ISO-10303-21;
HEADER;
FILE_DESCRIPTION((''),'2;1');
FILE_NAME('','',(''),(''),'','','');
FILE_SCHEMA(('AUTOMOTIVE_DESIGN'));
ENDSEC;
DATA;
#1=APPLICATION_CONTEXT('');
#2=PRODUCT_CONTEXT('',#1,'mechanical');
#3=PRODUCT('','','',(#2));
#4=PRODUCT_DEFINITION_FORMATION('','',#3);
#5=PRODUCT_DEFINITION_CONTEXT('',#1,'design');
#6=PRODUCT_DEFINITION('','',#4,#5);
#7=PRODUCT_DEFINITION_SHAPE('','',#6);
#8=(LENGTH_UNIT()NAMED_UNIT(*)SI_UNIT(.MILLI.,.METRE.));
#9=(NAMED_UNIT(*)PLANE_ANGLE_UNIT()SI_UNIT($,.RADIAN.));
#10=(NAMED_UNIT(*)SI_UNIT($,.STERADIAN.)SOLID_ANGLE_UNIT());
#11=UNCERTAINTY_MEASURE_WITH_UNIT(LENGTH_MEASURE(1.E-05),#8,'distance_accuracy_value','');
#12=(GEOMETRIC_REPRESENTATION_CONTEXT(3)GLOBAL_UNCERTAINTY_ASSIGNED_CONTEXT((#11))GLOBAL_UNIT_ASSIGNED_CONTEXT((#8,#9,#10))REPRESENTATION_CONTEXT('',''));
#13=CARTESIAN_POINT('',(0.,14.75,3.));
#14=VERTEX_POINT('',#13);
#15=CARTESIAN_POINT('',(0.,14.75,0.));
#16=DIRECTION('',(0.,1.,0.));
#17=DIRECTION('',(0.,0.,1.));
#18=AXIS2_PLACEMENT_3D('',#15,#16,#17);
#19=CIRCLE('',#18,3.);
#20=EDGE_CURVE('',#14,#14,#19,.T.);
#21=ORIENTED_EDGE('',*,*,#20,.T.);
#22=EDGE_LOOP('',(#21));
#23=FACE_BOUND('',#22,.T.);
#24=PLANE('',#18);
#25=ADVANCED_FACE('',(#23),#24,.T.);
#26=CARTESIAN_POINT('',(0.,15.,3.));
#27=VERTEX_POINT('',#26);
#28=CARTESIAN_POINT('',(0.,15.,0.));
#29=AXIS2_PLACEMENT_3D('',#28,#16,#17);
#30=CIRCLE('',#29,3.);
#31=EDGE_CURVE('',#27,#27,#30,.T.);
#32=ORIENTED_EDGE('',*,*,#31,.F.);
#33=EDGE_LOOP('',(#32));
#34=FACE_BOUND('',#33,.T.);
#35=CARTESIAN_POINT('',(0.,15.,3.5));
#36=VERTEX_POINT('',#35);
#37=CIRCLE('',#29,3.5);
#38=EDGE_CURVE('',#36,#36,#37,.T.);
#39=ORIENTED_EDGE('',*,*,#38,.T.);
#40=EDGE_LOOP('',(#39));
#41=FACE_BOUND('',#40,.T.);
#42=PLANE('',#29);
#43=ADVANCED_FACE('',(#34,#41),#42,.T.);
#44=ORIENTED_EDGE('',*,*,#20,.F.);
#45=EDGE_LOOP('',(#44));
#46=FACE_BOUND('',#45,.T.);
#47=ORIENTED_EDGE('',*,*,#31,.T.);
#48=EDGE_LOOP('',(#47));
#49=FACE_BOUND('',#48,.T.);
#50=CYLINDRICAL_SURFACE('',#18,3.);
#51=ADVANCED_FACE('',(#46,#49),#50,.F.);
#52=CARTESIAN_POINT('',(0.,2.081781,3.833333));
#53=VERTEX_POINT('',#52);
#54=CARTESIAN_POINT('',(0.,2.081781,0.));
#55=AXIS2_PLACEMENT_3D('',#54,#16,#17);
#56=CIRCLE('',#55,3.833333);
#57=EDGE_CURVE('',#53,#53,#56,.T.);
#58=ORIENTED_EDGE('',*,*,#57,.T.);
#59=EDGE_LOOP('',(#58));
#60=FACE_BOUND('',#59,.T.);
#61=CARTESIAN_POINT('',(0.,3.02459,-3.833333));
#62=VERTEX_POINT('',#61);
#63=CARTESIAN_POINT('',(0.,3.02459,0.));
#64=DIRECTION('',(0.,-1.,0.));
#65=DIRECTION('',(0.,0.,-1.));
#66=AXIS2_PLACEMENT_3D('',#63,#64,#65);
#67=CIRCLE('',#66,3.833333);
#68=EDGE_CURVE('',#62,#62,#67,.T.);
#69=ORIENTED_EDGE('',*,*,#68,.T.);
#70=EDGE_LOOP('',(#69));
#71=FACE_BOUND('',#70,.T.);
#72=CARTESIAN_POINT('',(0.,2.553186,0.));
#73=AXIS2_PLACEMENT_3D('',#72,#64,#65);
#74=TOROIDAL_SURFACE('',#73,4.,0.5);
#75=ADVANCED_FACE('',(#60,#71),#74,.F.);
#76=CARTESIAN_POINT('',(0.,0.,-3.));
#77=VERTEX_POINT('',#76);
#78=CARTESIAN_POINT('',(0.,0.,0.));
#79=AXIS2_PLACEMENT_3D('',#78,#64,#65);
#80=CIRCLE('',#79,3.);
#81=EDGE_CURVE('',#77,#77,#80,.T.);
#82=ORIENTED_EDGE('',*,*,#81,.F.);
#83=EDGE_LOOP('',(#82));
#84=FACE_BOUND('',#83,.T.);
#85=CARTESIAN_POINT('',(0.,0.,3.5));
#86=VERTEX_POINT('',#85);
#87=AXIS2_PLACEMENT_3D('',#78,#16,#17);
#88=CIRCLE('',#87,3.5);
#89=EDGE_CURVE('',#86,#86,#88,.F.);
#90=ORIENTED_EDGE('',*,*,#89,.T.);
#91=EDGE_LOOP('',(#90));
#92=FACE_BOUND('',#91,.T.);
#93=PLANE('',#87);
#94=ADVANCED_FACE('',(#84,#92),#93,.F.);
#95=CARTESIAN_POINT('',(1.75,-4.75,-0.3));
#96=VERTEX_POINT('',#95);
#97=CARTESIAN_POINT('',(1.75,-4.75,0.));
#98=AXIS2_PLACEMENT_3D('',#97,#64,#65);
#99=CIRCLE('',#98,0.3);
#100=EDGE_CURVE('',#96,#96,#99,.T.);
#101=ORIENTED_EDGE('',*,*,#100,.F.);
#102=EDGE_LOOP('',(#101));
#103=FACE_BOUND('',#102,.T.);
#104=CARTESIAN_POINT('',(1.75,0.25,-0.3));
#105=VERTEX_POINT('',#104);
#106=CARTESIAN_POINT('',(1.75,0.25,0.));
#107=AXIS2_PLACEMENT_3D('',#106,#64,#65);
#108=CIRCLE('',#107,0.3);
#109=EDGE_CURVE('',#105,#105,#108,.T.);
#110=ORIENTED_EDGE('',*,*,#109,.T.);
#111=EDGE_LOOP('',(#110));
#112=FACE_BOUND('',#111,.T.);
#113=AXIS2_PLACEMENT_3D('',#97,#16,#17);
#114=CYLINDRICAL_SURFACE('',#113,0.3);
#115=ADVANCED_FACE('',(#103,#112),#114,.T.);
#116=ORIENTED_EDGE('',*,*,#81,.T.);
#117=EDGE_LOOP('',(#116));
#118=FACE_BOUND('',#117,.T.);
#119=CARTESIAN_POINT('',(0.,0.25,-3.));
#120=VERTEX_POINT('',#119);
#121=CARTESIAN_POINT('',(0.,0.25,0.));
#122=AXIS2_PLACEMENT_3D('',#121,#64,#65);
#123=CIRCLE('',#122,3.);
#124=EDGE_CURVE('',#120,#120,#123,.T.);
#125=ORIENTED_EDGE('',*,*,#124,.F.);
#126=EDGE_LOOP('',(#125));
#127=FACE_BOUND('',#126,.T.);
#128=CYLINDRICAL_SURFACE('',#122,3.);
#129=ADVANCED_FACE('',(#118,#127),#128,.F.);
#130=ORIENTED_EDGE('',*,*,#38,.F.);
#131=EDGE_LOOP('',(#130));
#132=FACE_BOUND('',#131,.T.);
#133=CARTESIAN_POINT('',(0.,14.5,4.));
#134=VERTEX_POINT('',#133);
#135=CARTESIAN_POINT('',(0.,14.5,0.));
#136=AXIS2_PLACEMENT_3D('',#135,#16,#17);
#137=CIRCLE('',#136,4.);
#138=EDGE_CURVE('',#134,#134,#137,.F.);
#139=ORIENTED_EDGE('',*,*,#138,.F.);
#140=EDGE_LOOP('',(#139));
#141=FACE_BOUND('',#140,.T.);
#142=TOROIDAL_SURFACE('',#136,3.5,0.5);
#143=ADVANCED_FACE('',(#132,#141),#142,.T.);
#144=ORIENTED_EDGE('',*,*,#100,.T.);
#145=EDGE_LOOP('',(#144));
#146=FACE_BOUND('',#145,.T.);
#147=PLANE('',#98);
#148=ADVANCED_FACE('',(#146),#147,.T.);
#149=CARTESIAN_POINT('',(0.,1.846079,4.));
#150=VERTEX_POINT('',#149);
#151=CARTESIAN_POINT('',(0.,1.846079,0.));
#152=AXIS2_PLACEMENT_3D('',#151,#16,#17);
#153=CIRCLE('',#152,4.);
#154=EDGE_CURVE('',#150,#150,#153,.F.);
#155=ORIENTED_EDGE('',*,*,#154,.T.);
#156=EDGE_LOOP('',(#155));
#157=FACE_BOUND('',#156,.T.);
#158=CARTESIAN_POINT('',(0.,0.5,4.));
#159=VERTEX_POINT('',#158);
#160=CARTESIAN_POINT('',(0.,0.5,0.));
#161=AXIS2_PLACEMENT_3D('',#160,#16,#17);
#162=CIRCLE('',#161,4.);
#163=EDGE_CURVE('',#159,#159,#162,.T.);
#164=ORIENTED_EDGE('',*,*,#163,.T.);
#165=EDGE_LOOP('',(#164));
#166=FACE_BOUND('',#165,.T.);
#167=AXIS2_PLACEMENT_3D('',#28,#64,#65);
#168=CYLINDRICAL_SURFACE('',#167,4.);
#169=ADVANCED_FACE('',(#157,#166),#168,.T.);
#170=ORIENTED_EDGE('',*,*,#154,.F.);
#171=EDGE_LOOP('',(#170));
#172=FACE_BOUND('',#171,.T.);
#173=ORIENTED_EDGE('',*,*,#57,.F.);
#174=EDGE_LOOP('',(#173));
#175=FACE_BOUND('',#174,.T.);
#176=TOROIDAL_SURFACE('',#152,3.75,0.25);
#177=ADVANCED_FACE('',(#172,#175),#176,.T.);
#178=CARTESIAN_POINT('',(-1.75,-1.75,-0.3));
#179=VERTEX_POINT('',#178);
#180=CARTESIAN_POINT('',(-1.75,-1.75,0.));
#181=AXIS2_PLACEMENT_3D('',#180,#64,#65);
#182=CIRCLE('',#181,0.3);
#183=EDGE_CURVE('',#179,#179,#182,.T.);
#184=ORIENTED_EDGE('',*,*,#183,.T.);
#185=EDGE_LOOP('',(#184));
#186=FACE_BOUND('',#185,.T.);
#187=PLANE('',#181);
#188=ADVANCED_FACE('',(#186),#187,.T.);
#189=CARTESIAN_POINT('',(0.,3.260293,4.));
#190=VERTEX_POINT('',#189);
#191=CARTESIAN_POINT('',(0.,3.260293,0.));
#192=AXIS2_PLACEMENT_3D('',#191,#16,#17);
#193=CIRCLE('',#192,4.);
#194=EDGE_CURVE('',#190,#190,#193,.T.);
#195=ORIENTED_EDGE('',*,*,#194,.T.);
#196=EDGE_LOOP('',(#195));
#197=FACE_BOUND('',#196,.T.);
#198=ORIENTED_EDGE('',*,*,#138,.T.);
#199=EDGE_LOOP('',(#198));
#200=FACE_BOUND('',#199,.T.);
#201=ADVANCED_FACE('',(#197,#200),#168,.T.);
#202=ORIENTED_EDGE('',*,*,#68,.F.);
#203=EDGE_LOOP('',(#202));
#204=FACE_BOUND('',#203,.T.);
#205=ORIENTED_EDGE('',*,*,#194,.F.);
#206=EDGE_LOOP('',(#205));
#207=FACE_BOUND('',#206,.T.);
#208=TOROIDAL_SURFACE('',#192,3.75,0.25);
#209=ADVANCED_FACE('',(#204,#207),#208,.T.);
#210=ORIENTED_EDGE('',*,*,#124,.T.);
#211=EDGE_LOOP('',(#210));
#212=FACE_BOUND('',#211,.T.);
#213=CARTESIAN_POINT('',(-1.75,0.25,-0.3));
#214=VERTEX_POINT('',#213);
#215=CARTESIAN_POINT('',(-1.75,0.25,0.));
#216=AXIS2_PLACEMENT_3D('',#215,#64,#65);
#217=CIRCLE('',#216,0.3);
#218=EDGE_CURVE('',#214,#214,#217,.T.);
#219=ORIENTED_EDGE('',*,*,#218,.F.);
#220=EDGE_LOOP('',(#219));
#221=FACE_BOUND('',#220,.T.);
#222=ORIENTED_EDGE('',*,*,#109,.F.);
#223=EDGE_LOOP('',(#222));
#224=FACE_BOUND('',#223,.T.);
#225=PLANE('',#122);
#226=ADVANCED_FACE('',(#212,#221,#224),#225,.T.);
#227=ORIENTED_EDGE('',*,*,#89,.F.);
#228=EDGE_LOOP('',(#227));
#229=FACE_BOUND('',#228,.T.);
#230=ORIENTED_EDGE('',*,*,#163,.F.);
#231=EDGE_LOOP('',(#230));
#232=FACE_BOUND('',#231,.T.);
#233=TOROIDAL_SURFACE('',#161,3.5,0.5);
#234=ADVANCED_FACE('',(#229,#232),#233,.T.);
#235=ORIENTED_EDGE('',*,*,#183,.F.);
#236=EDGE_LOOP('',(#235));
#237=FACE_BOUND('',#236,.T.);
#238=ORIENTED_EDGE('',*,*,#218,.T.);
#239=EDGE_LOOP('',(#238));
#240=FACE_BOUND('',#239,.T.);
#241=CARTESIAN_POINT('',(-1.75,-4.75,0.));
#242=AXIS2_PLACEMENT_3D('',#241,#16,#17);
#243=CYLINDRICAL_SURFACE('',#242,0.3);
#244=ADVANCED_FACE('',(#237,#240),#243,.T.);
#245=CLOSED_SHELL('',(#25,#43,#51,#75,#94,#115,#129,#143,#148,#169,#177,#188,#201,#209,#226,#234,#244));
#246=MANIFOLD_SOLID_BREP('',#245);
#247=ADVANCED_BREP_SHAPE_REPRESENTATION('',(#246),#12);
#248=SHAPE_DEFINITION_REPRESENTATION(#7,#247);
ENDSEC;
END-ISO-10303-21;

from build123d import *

# Parameters (mm, degrees)
SKETCH1_R           = 4
BASE_EXTRUDE_DEPTH  = 15
FILLET1_R           = 0.5
FILLET2_R           = 0.25
SKETCH4_R           = 3
CUT_EXTRUDE1_DEPTH  = 0.25
SKETCH3_R           = 0.3
BOSS_EXTRUDE1_DEPTH = 5
CUT_EXTRUDE2_START  = -3
SKETCH5_R           = 0.3
CUT_EXTRUDE2_DEPTH  = 3
CUT_EXTRUDE3_START  = -0.25
SKETCH6_R           = 3
CUT_EXTRUDE3_DEPTH  = 0.25


with BuildPart() as part:
    # Sketch1 → Base-Extrude (new body)
    with BuildSketch(Plane(origin=(0, 0, 0), x_dir=(1, 0, 0), z_dir=(0, 1, 0))):
        with Locations(Location((0, 0, 0), (0, 0, 270))):
            Circle(SKETCH1_R)
    extrude(amount=BASE_EXTRUDE_DEPTH)

    # Sketch2 → Cut-Revolve1 (revolve, cut)
    with BuildSketch(Plane(origin=(0, 0, 0), x_dir=(0, 0, -1), z_dir=(1, 0, 0)), mode=Mode.PRIVATE) as cut_revolve1_sk:
        with BuildLine():
            Line((-4, 3.053185949), (-4, 2.053185949))
            ThreePointArc((-4, 2.053185949), (-3.5, 2.553185949), (-4, 3.053185949))
        make_face()
    revolve(cut_revolve1_sk.sketch.rotate(Axis((0, 0, 0), (0, 1, 0)), 180), axis=Axis((0, 0, 0), (0, 1, 0)), mode=Mode.SUBTRACT)

    # Fillet1
    fillet1_edges = [part.edges().sort_by_distance(p)[0] for p in [
        (0, 0, -4),
        (0, 15, -4),
    ]]
    fillet(fillet1_edges, radius=FILLET1_R)

    # Fillet2
    fillet2_edges = [part.edges().sort_by_distance(p)[0] for p in [
        (-4, 2.053185949, 0),
        (-4, 3.053185949, 0),
    ]]
    fillet(fillet2_edges, radius=FILLET2_R)

    # Sketch4 → Cut-Extrude1 (cut)
    with BuildSketch(Plane.XZ):
        with Locations(Location((0, 0, 0), (0, 0, 270))):
            Circle(SKETCH4_R)
    extrude(amount=-CUT_EXTRUDE1_DEPTH, mode=Mode.SUBTRACT)

    # Sketch3 → Boss-Extrude1 (add)
    with BuildSketch(Plane.XZ.offset(-0.25)):
        with Locations(Location((-1.75, 0, 0), (0, 0, 270))):
            Circle(SKETCH3_R)
        with Locations(Location((1.75, 0, 0), (0, 0, 270))):
            Circle(SKETCH3_R)
    extrude(amount=BOSS_EXTRUDE1_DEPTH)

    # Sketch5 → Cut-Extrude2 (cut)
    with BuildSketch(Plane.XZ.offset(4.75).offset(CUT_EXTRUDE2_START)):
        with Locations(Location((-1.75, 0, 0), (0, 0, 270))):
            Circle(SKETCH5_R)
    extrude(amount=CUT_EXTRUDE2_DEPTH, mode=Mode.SUBTRACT)

    # Sketch6 → Cut-Extrude3 (cut)
    with BuildSketch(Plane(origin=(0, 15, 0), x_dir=(-1, 0, 0), z_dir=(0, 1, 0)).offset(CUT_EXTRUDE3_START)):
        with Locations(Location((0, 0, 0), (0, 0, 270))):
            Circle(SKETCH6_R)
    extrude(amount=CUT_EXTRUDE3_DEPTH, mode=Mode.SUBTRACT)


solid = part.part
